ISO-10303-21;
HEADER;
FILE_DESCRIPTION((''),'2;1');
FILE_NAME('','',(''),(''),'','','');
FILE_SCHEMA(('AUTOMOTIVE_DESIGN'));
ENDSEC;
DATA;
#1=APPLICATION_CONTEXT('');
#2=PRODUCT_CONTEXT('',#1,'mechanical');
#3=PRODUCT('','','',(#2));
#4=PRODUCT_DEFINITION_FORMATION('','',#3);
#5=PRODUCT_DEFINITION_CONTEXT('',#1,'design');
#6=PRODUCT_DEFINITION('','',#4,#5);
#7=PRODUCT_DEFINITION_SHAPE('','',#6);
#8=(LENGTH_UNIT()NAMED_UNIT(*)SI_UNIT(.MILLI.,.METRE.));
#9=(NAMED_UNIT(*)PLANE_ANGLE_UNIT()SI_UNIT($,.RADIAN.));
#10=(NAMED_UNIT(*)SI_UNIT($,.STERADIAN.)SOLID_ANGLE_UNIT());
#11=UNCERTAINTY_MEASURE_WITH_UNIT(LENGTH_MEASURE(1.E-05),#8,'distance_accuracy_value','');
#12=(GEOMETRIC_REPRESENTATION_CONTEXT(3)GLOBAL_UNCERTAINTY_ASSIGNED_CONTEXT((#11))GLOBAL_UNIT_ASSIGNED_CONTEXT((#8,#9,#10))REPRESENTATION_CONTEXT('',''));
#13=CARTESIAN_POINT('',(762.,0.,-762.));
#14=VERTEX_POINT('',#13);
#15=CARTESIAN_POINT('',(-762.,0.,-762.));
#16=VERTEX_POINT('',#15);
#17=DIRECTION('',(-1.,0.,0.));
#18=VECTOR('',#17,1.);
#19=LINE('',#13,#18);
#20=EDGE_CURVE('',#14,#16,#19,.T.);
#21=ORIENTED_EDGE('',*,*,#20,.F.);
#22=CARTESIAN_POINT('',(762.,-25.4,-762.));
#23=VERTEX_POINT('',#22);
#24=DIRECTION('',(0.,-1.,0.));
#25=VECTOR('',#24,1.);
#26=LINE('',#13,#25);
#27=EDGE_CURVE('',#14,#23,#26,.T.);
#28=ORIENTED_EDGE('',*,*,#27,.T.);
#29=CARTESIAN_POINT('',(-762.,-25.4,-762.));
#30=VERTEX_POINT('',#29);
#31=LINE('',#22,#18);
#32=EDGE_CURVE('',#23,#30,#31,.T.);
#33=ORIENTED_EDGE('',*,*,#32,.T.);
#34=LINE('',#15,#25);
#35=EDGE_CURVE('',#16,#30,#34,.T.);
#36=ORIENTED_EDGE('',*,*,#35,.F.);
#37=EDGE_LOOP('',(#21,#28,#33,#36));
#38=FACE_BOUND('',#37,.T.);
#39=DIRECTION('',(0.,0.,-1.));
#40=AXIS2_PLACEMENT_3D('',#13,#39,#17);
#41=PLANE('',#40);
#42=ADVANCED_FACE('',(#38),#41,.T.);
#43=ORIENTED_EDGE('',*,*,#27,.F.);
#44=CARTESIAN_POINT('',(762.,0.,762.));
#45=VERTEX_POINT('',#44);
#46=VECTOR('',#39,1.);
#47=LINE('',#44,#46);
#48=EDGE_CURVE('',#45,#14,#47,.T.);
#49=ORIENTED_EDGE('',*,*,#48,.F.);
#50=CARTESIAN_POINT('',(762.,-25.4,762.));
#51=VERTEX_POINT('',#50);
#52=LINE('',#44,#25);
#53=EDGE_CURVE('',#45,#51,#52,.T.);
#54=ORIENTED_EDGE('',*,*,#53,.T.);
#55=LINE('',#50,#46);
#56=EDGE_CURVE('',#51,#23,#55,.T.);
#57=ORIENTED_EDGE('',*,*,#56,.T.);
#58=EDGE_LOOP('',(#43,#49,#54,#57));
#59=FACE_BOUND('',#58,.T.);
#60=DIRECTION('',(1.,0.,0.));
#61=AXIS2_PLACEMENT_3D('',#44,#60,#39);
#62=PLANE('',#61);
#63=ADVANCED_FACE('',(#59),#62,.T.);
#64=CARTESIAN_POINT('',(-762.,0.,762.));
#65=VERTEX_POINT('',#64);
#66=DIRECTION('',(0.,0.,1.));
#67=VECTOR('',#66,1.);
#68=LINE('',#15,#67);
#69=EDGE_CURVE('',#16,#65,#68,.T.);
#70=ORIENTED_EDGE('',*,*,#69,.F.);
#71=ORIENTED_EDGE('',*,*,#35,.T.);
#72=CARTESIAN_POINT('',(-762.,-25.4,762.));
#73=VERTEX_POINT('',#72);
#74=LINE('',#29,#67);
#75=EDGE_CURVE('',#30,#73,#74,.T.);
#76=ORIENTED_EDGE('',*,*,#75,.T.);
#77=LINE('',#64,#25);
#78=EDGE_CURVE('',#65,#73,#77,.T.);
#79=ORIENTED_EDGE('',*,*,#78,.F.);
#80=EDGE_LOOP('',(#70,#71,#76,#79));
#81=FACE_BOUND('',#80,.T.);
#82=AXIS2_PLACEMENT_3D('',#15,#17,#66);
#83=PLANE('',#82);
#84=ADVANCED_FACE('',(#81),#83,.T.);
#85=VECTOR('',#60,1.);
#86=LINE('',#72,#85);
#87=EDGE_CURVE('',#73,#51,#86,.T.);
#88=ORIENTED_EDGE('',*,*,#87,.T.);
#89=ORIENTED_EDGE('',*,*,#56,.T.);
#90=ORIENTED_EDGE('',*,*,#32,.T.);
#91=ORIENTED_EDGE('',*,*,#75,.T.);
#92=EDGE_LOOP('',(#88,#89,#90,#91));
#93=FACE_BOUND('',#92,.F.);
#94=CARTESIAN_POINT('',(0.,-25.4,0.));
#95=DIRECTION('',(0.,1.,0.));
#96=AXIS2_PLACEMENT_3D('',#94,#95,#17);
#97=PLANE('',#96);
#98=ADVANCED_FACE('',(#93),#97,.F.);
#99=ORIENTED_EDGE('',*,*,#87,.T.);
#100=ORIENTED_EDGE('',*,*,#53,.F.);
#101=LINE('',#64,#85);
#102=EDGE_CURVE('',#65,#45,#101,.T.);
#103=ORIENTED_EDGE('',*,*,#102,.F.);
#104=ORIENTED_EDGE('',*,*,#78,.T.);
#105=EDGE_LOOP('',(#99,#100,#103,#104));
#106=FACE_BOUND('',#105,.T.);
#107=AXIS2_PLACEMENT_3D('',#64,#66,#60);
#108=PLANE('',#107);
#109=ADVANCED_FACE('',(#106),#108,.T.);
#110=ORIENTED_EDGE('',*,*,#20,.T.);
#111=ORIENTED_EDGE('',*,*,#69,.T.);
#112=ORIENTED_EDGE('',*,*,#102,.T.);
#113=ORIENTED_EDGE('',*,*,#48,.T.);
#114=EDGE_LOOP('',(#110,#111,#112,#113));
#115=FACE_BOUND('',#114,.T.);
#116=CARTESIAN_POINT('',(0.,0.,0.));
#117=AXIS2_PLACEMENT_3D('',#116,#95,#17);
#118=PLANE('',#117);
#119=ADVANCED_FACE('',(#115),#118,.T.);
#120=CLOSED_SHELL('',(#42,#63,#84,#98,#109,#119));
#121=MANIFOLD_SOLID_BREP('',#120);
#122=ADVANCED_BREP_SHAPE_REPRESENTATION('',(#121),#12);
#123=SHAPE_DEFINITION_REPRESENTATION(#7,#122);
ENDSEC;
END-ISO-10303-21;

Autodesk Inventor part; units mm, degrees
ref_plane "YZ Plane" through (0, 0, 0) normal (1, 0, 0) x (0, 1, 0)
ref_plane "XZ Plane" through (0, 0, 0) normal (0, 1, 0) x (-1, 0, 0)
ref_plane "XY Plane" through (0, 0, 0) normal (0, 0, 1) x (1, 0, 0)
sketch "Sketch1" plane through (0, 0, 0) normal (0, 1, 0) x (-1, 0, 0)
  line L0 (-762, 762) -> (-762, -762)
  line L1 (-762, -762) -> (762, -762)
  line L2 (762, -762) -> (762, 762)
  line L3 (762, 762) -> (-762, 762)
  line L4 (-762, 762) -> (762, -762) construction
  line L5 (-762, -762) -> (762, 762) construction
  point P0 (0, 0)
  dimension "d0" = 1524
extrude "Extrusion1" add sketch "Sketch1" against normal blind 25.4
properties part number "Floor"
